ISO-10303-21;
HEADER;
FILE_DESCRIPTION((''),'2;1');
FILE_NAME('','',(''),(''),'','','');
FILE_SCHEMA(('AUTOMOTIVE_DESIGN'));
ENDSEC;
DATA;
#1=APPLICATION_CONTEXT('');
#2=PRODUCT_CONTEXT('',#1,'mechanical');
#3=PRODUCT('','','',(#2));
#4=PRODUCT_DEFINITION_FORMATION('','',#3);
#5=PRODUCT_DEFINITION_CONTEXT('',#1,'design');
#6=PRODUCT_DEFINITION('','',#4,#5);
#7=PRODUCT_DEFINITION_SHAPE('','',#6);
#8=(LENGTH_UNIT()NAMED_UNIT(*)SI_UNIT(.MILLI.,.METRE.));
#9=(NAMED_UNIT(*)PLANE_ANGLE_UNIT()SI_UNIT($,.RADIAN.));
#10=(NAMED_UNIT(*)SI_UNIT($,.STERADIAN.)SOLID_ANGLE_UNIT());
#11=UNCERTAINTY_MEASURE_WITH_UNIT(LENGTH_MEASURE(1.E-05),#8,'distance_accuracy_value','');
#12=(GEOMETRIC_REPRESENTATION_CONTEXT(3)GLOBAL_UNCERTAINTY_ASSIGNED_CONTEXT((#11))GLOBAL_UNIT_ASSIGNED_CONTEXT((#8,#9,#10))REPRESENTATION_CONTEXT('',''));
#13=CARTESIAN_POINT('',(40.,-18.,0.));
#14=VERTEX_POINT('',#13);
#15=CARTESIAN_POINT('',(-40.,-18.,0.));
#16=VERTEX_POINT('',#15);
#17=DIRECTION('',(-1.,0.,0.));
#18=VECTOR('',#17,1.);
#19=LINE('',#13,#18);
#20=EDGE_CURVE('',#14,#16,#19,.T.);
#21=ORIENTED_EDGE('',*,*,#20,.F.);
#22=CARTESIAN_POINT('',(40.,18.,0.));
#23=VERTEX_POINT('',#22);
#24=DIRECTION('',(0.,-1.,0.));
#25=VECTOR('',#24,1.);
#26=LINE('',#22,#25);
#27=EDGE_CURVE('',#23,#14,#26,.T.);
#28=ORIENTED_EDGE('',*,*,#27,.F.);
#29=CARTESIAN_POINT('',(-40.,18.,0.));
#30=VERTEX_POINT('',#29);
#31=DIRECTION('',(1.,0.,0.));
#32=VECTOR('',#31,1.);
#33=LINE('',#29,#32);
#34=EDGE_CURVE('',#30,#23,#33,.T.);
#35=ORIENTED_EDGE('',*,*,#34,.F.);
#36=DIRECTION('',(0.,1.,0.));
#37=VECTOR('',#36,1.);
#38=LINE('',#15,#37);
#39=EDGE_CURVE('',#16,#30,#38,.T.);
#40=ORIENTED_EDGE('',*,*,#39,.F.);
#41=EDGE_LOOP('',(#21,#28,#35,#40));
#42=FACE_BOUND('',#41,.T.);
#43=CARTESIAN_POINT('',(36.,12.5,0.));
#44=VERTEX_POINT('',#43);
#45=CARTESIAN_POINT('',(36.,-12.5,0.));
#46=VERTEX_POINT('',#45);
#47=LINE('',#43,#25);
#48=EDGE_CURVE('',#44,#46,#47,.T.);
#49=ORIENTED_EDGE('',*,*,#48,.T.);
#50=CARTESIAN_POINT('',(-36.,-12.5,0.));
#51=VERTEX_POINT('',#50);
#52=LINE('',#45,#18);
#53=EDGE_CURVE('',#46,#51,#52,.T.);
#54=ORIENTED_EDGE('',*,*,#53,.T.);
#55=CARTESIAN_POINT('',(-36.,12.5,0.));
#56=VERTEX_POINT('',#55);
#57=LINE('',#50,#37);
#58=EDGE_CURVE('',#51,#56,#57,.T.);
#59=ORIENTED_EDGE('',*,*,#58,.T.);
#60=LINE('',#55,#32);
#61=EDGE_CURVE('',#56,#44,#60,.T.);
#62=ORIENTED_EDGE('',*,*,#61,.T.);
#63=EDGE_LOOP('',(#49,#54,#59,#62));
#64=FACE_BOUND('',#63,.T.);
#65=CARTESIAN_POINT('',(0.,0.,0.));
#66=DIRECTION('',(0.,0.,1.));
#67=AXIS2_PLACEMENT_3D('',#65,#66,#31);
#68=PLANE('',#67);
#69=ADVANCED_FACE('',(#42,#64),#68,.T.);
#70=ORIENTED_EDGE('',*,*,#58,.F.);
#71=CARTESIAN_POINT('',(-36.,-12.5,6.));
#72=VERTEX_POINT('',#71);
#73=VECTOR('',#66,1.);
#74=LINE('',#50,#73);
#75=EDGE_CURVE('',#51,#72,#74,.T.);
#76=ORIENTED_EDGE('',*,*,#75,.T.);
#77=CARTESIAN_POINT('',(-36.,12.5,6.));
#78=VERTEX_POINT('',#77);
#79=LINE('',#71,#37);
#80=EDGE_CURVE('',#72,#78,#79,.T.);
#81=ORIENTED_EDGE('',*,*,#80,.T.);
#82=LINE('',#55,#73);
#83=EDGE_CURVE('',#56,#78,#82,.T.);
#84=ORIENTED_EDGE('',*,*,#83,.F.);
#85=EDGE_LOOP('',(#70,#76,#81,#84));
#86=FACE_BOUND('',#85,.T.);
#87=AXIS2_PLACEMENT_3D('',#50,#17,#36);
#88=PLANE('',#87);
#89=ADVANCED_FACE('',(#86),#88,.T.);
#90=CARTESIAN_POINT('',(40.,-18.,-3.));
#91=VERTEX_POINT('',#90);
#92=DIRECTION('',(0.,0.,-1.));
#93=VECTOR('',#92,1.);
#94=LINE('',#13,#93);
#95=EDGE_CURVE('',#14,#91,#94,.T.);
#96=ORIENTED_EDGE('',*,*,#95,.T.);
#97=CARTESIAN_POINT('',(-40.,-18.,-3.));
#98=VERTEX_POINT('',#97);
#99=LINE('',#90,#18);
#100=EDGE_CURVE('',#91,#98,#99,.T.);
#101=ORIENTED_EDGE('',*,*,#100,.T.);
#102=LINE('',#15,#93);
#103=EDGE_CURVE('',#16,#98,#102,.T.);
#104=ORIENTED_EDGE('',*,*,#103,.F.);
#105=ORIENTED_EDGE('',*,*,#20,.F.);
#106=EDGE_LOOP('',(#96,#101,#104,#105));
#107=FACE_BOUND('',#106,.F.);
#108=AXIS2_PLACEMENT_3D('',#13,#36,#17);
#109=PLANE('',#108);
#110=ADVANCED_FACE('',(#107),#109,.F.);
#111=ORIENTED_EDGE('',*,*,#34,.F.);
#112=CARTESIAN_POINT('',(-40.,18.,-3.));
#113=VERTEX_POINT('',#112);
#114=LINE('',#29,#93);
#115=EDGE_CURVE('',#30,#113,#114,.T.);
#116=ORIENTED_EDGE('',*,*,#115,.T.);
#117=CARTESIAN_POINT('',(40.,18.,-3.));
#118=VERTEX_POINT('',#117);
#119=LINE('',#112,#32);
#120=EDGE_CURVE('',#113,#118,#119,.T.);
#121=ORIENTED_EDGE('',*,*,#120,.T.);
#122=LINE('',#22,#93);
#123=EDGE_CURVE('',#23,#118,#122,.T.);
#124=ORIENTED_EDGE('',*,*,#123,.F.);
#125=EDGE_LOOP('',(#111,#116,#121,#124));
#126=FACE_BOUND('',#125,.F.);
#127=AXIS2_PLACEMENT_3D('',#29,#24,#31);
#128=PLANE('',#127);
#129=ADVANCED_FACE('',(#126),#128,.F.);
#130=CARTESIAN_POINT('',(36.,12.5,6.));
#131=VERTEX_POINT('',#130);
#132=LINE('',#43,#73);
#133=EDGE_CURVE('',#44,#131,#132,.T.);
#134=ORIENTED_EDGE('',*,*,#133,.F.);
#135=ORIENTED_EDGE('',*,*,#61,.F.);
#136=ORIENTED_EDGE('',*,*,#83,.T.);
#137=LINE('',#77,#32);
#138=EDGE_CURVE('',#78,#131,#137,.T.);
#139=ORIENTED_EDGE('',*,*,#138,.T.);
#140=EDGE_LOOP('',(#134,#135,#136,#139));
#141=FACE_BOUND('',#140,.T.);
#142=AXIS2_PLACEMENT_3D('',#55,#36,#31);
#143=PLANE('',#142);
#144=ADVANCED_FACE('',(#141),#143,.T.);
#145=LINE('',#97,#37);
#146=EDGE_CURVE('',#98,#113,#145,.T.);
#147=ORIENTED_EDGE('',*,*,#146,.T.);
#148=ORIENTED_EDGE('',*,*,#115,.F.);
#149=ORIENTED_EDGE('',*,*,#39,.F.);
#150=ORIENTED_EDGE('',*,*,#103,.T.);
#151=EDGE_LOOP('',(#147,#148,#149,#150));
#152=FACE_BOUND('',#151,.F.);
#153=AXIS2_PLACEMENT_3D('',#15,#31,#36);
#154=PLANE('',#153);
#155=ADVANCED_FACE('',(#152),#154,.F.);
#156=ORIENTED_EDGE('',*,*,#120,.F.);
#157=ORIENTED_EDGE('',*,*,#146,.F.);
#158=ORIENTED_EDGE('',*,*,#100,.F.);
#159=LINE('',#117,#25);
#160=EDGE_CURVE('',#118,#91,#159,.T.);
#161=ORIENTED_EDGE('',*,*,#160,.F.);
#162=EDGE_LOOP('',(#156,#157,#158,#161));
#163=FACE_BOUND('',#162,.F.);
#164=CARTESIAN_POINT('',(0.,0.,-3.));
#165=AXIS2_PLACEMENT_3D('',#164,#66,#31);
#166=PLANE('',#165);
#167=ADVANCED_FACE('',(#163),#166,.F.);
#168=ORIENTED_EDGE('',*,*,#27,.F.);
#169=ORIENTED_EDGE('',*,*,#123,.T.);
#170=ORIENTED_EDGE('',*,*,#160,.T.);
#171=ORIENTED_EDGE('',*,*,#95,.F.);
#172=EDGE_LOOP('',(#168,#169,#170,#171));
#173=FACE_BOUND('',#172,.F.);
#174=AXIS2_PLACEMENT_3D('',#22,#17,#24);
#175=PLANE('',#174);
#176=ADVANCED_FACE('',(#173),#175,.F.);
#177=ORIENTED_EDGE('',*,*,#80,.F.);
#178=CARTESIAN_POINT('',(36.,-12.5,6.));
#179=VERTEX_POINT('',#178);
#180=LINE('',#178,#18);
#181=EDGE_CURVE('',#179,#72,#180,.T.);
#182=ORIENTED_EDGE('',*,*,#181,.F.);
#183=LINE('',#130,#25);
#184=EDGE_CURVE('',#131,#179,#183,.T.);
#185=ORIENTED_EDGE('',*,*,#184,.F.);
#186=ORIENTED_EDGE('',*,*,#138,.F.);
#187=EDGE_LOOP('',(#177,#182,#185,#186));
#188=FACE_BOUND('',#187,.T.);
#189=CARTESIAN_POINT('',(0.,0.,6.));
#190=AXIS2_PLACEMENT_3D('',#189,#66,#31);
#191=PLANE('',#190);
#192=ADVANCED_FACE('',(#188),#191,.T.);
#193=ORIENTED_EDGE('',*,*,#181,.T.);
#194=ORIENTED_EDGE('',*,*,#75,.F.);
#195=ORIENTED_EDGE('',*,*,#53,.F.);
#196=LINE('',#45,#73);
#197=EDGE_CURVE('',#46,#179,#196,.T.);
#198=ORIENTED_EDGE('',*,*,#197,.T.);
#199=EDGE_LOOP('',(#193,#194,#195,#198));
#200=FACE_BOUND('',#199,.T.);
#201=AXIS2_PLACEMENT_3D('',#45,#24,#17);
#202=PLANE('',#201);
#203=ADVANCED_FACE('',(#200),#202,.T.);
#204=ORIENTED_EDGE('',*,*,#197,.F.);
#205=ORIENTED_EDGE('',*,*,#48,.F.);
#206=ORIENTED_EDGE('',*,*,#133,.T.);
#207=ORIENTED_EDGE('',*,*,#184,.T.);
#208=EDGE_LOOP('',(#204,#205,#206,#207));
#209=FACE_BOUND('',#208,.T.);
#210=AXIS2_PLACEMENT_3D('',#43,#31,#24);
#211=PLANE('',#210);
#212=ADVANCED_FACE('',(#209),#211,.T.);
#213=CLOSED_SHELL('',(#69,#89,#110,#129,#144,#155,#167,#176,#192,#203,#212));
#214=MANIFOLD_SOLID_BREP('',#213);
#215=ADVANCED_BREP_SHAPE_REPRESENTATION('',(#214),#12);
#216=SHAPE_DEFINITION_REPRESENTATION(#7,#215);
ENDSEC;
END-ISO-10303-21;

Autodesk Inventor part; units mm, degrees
ref_plane "YZ Plane" through (0, 0, 0) normal (1, 0, 0) x (0, 1, 0)
ref_plane "XZ Plane" through (0, 0, 0) normal (0, 1, 0) x (-1, 0, 0)
ref_plane "XY Plane" through (0, 0, 0) normal (0, 0, 1) x (1, 0, 0)
sketch "Sketch1" plane through (0, 0, 0) normal (0, 0, 1) x (1, 0, 0)
  line L0 (-40, 18) -> (40, 18)
  line L1 (40, 18) -> (40, -18)
  line L2 (40, -18) -> (-40, -18)
  line L3 (-40, -18) -> (-40, 18)
  line L4 (-36, 12.5) -> (36, 12.5)
  line L5 (36, 12.5) -> (36, -12.5)
  line L6 (36, -12.5) -> (-36, -12.5)
  line L7 (-36, -12.5) -> (-36, 12.5)
  point P0 (0, 0)
  point P1 (-40, 0)
  point P2 (-36, 0)
  point P3 (0, 18)
  point P4 (0, 12.5)
  dimension "d0" = 36
  dimension "d1" = 80
  dimension "d2" = 25
  dimension "d3" = 72
extrude "Extrusion1" add sketch "Sketch1" against normal blind 3 contours L0 L1 L2 L3 | L4 L5 L6 L7
extrude "Extrusion2" add sketch "Sketch1" along normal blind 6 contours L4 L5 L6 L7
properties part number "display"
